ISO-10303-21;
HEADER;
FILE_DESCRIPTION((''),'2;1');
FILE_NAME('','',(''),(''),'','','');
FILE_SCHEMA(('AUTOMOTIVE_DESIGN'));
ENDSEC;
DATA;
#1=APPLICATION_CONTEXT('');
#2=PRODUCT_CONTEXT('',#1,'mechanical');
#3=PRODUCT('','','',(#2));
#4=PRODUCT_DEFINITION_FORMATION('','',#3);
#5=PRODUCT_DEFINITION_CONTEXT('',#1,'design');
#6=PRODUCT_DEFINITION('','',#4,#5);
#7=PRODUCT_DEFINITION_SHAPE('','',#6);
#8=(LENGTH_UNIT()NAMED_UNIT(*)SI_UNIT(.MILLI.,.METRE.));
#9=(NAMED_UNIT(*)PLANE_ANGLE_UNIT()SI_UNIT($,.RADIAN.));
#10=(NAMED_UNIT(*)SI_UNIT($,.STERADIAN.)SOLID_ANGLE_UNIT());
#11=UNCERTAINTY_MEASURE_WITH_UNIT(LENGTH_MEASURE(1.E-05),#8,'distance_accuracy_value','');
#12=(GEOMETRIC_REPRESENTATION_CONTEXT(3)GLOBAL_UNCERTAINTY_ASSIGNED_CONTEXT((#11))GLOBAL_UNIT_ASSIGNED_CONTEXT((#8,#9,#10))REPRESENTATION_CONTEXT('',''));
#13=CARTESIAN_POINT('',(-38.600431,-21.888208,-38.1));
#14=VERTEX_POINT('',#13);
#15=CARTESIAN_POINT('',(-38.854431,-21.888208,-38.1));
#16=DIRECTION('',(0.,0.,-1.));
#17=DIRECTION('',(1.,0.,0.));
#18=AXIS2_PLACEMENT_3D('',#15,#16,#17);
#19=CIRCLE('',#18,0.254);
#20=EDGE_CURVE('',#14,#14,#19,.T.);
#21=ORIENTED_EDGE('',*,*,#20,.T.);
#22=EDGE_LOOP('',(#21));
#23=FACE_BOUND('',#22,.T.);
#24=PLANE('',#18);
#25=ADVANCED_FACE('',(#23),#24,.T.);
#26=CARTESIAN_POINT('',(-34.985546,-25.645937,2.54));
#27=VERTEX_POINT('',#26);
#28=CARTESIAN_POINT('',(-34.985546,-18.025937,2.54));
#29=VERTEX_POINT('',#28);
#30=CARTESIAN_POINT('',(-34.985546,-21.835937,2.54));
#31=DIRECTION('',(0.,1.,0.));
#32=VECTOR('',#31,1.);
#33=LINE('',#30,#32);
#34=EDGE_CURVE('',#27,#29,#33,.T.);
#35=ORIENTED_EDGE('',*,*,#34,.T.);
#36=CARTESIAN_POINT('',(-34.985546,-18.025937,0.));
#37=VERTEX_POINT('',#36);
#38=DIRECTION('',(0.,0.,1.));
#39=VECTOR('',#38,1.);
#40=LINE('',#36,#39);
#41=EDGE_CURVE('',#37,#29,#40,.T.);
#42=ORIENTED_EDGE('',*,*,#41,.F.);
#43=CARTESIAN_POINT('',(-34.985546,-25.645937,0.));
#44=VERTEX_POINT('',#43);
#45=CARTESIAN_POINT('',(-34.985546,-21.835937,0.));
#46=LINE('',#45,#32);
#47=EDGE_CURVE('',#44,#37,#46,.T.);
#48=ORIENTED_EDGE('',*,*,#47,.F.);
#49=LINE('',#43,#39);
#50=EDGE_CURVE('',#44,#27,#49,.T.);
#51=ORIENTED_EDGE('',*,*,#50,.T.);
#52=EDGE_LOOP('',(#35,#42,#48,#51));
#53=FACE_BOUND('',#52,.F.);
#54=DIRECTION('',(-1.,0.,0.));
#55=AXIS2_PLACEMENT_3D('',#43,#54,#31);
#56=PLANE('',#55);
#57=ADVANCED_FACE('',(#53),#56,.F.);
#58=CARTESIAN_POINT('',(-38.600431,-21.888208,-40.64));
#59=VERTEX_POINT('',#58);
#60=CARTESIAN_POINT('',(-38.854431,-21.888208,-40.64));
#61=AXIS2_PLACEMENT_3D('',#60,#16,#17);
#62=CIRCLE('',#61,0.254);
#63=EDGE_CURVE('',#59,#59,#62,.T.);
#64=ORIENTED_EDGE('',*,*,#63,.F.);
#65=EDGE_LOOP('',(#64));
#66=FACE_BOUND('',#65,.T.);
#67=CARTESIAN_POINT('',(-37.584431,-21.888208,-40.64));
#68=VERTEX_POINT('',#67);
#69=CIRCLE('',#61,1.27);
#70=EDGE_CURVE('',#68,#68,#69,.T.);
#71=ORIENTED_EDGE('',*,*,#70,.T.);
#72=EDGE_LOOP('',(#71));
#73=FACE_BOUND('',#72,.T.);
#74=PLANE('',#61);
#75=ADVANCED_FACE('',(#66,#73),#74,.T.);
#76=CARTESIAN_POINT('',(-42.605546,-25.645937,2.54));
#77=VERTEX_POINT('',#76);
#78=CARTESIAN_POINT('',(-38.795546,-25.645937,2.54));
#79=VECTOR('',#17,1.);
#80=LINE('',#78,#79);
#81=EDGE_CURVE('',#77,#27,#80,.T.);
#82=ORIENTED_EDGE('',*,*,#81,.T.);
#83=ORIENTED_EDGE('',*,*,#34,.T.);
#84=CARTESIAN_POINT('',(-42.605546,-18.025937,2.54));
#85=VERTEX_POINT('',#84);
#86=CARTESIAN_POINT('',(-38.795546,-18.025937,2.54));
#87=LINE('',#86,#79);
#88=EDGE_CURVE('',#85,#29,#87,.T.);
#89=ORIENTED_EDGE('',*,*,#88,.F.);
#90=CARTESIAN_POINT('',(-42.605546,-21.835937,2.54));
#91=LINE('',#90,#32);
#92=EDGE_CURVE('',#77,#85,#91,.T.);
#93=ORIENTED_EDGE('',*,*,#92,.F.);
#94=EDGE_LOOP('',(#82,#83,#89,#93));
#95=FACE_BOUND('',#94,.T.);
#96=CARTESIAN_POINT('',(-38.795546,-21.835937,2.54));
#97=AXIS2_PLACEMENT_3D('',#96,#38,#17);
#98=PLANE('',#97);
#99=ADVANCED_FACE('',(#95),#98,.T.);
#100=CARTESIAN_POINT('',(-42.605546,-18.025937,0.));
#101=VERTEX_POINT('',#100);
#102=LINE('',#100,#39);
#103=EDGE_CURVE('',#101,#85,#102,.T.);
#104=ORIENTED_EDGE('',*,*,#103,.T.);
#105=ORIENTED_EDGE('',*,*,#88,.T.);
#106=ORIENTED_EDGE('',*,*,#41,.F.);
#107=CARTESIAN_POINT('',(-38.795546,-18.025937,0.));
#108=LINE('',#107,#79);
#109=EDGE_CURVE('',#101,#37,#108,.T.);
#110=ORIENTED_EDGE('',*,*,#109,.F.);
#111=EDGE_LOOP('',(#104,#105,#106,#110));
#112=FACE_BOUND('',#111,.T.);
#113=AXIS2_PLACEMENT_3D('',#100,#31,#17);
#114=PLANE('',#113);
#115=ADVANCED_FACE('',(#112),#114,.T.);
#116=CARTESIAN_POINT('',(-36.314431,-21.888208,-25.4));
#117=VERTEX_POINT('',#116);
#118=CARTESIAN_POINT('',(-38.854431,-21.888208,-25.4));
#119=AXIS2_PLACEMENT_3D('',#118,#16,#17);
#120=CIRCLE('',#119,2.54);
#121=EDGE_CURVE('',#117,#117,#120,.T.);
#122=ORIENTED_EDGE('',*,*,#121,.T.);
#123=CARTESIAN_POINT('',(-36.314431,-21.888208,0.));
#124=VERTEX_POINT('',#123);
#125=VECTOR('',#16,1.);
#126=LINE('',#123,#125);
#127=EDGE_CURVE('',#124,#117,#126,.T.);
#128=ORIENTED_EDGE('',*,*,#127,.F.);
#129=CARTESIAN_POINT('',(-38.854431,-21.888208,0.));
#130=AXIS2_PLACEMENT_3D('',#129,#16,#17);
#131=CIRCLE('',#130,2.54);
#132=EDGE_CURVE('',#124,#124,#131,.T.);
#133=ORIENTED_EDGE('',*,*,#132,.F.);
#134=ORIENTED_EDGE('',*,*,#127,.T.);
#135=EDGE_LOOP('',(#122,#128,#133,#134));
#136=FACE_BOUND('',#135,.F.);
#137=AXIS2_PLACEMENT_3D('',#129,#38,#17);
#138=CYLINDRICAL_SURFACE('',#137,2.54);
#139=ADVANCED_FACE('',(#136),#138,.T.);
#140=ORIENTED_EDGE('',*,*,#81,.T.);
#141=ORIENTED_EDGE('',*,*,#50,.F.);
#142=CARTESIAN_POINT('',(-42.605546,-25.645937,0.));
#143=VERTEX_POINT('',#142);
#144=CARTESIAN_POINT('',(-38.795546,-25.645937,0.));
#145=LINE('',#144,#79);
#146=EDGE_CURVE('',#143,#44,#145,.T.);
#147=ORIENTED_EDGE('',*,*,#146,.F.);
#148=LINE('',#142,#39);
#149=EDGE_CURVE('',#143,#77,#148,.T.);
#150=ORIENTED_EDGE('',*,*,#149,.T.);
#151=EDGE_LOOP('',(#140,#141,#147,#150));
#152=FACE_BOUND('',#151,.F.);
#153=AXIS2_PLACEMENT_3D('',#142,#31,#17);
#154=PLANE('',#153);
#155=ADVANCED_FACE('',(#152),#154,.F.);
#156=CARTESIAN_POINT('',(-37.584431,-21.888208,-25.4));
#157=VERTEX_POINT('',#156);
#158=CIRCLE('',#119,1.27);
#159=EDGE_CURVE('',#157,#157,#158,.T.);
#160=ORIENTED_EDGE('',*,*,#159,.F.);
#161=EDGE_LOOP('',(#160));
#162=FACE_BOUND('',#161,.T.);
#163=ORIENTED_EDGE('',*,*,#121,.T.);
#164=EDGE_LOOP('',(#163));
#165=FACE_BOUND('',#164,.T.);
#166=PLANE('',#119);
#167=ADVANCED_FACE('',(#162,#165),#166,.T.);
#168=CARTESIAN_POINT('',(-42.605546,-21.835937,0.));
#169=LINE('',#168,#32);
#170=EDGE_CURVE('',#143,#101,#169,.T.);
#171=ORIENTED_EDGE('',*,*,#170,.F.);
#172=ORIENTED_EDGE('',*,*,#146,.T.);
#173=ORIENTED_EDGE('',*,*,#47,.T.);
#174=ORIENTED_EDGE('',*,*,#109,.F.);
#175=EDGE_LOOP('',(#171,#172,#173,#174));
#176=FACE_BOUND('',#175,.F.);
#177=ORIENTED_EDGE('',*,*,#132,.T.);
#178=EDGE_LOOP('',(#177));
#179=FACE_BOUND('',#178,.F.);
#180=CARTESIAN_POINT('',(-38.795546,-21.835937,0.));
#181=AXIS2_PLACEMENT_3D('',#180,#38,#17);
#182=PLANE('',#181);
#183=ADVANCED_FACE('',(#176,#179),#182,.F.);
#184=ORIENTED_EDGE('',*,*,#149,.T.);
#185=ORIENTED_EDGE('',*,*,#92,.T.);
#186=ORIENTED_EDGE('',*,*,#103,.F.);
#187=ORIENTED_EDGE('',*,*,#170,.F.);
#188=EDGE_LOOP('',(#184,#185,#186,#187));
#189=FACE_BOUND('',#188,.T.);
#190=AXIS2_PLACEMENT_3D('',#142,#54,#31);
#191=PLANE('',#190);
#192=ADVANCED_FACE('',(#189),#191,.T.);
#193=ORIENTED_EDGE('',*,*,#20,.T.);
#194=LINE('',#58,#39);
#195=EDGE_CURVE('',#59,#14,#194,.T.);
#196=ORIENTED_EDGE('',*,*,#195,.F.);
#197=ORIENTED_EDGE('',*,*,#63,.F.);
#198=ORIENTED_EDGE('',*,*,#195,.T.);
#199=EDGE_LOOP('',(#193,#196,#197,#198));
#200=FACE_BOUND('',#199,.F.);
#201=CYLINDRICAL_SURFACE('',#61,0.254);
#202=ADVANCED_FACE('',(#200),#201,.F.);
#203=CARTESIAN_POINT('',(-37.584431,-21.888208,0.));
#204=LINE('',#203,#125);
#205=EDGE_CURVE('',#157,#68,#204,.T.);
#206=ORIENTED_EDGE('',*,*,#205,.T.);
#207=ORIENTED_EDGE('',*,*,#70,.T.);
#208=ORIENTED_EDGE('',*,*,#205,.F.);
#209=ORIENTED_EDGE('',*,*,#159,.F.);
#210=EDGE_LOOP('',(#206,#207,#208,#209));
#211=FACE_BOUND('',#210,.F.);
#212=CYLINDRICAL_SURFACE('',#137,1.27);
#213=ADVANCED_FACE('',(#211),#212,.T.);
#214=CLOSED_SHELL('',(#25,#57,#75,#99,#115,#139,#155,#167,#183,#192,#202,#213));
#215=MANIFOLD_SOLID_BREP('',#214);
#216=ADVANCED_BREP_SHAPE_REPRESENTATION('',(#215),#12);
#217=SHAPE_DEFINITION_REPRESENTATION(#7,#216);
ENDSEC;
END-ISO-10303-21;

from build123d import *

# Parameters (mm, degrees)
F0_W     = 7.62
F0_H     = 7.62
F1_DEPTH = 2.54
F2_R     = 1.27
F3_DEPTH = 40.64
F4_R     = 0.254
F5_DEPTH = 2.54
F2_R_2   = 2.54
F6_DEPTH = 25.4


with BuildPart() as f1:
    # F0 (on Top) → F1 (new body)
    with BuildSketch(Plane.XY):
        with Locations((-38.795546, -21.835937)):
            Rectangle(F0_W, F0_H)
    extrude(amount=F1_DEPTH)

    # F2 (on face) → F3 (join)
    with BuildSketch(Plane(origin=(0, 0, 0), x_dir=(1, 0, 0), z_dir=(0, 0, -1))):
        with Locations((-38.854431, 21.888208)):
            Circle(F2_R)
    extrude(amount=F3_DEPTH)

    # F4 (on face) → F5 (cut)
    with BuildSketch(Plane(origin=(0, 0, -40.64), x_dir=(1, 0, 0), z_dir=(0, 0, -1))):
        with Locations((-38.854431, 21.888208)):
            Circle(F4_R)
    extrude(amount=-F5_DEPTH, mode=Mode.SUBTRACT)

    # F2 (on face) → F6 (join)
    with BuildSketch(Plane(origin=(0, 0, 0), x_dir=(1, 0, 0), z_dir=(0, 0, -1))):
        with Locations((-38.854431, 21.888208)):
            Circle(F2_R_2)
        with Locations((-38.854431, 21.888208)):
            Circle(F2_R, mode=Mode.SUBTRACT)
    extrude(amount=F6_DEPTH)


solid = f1.part
